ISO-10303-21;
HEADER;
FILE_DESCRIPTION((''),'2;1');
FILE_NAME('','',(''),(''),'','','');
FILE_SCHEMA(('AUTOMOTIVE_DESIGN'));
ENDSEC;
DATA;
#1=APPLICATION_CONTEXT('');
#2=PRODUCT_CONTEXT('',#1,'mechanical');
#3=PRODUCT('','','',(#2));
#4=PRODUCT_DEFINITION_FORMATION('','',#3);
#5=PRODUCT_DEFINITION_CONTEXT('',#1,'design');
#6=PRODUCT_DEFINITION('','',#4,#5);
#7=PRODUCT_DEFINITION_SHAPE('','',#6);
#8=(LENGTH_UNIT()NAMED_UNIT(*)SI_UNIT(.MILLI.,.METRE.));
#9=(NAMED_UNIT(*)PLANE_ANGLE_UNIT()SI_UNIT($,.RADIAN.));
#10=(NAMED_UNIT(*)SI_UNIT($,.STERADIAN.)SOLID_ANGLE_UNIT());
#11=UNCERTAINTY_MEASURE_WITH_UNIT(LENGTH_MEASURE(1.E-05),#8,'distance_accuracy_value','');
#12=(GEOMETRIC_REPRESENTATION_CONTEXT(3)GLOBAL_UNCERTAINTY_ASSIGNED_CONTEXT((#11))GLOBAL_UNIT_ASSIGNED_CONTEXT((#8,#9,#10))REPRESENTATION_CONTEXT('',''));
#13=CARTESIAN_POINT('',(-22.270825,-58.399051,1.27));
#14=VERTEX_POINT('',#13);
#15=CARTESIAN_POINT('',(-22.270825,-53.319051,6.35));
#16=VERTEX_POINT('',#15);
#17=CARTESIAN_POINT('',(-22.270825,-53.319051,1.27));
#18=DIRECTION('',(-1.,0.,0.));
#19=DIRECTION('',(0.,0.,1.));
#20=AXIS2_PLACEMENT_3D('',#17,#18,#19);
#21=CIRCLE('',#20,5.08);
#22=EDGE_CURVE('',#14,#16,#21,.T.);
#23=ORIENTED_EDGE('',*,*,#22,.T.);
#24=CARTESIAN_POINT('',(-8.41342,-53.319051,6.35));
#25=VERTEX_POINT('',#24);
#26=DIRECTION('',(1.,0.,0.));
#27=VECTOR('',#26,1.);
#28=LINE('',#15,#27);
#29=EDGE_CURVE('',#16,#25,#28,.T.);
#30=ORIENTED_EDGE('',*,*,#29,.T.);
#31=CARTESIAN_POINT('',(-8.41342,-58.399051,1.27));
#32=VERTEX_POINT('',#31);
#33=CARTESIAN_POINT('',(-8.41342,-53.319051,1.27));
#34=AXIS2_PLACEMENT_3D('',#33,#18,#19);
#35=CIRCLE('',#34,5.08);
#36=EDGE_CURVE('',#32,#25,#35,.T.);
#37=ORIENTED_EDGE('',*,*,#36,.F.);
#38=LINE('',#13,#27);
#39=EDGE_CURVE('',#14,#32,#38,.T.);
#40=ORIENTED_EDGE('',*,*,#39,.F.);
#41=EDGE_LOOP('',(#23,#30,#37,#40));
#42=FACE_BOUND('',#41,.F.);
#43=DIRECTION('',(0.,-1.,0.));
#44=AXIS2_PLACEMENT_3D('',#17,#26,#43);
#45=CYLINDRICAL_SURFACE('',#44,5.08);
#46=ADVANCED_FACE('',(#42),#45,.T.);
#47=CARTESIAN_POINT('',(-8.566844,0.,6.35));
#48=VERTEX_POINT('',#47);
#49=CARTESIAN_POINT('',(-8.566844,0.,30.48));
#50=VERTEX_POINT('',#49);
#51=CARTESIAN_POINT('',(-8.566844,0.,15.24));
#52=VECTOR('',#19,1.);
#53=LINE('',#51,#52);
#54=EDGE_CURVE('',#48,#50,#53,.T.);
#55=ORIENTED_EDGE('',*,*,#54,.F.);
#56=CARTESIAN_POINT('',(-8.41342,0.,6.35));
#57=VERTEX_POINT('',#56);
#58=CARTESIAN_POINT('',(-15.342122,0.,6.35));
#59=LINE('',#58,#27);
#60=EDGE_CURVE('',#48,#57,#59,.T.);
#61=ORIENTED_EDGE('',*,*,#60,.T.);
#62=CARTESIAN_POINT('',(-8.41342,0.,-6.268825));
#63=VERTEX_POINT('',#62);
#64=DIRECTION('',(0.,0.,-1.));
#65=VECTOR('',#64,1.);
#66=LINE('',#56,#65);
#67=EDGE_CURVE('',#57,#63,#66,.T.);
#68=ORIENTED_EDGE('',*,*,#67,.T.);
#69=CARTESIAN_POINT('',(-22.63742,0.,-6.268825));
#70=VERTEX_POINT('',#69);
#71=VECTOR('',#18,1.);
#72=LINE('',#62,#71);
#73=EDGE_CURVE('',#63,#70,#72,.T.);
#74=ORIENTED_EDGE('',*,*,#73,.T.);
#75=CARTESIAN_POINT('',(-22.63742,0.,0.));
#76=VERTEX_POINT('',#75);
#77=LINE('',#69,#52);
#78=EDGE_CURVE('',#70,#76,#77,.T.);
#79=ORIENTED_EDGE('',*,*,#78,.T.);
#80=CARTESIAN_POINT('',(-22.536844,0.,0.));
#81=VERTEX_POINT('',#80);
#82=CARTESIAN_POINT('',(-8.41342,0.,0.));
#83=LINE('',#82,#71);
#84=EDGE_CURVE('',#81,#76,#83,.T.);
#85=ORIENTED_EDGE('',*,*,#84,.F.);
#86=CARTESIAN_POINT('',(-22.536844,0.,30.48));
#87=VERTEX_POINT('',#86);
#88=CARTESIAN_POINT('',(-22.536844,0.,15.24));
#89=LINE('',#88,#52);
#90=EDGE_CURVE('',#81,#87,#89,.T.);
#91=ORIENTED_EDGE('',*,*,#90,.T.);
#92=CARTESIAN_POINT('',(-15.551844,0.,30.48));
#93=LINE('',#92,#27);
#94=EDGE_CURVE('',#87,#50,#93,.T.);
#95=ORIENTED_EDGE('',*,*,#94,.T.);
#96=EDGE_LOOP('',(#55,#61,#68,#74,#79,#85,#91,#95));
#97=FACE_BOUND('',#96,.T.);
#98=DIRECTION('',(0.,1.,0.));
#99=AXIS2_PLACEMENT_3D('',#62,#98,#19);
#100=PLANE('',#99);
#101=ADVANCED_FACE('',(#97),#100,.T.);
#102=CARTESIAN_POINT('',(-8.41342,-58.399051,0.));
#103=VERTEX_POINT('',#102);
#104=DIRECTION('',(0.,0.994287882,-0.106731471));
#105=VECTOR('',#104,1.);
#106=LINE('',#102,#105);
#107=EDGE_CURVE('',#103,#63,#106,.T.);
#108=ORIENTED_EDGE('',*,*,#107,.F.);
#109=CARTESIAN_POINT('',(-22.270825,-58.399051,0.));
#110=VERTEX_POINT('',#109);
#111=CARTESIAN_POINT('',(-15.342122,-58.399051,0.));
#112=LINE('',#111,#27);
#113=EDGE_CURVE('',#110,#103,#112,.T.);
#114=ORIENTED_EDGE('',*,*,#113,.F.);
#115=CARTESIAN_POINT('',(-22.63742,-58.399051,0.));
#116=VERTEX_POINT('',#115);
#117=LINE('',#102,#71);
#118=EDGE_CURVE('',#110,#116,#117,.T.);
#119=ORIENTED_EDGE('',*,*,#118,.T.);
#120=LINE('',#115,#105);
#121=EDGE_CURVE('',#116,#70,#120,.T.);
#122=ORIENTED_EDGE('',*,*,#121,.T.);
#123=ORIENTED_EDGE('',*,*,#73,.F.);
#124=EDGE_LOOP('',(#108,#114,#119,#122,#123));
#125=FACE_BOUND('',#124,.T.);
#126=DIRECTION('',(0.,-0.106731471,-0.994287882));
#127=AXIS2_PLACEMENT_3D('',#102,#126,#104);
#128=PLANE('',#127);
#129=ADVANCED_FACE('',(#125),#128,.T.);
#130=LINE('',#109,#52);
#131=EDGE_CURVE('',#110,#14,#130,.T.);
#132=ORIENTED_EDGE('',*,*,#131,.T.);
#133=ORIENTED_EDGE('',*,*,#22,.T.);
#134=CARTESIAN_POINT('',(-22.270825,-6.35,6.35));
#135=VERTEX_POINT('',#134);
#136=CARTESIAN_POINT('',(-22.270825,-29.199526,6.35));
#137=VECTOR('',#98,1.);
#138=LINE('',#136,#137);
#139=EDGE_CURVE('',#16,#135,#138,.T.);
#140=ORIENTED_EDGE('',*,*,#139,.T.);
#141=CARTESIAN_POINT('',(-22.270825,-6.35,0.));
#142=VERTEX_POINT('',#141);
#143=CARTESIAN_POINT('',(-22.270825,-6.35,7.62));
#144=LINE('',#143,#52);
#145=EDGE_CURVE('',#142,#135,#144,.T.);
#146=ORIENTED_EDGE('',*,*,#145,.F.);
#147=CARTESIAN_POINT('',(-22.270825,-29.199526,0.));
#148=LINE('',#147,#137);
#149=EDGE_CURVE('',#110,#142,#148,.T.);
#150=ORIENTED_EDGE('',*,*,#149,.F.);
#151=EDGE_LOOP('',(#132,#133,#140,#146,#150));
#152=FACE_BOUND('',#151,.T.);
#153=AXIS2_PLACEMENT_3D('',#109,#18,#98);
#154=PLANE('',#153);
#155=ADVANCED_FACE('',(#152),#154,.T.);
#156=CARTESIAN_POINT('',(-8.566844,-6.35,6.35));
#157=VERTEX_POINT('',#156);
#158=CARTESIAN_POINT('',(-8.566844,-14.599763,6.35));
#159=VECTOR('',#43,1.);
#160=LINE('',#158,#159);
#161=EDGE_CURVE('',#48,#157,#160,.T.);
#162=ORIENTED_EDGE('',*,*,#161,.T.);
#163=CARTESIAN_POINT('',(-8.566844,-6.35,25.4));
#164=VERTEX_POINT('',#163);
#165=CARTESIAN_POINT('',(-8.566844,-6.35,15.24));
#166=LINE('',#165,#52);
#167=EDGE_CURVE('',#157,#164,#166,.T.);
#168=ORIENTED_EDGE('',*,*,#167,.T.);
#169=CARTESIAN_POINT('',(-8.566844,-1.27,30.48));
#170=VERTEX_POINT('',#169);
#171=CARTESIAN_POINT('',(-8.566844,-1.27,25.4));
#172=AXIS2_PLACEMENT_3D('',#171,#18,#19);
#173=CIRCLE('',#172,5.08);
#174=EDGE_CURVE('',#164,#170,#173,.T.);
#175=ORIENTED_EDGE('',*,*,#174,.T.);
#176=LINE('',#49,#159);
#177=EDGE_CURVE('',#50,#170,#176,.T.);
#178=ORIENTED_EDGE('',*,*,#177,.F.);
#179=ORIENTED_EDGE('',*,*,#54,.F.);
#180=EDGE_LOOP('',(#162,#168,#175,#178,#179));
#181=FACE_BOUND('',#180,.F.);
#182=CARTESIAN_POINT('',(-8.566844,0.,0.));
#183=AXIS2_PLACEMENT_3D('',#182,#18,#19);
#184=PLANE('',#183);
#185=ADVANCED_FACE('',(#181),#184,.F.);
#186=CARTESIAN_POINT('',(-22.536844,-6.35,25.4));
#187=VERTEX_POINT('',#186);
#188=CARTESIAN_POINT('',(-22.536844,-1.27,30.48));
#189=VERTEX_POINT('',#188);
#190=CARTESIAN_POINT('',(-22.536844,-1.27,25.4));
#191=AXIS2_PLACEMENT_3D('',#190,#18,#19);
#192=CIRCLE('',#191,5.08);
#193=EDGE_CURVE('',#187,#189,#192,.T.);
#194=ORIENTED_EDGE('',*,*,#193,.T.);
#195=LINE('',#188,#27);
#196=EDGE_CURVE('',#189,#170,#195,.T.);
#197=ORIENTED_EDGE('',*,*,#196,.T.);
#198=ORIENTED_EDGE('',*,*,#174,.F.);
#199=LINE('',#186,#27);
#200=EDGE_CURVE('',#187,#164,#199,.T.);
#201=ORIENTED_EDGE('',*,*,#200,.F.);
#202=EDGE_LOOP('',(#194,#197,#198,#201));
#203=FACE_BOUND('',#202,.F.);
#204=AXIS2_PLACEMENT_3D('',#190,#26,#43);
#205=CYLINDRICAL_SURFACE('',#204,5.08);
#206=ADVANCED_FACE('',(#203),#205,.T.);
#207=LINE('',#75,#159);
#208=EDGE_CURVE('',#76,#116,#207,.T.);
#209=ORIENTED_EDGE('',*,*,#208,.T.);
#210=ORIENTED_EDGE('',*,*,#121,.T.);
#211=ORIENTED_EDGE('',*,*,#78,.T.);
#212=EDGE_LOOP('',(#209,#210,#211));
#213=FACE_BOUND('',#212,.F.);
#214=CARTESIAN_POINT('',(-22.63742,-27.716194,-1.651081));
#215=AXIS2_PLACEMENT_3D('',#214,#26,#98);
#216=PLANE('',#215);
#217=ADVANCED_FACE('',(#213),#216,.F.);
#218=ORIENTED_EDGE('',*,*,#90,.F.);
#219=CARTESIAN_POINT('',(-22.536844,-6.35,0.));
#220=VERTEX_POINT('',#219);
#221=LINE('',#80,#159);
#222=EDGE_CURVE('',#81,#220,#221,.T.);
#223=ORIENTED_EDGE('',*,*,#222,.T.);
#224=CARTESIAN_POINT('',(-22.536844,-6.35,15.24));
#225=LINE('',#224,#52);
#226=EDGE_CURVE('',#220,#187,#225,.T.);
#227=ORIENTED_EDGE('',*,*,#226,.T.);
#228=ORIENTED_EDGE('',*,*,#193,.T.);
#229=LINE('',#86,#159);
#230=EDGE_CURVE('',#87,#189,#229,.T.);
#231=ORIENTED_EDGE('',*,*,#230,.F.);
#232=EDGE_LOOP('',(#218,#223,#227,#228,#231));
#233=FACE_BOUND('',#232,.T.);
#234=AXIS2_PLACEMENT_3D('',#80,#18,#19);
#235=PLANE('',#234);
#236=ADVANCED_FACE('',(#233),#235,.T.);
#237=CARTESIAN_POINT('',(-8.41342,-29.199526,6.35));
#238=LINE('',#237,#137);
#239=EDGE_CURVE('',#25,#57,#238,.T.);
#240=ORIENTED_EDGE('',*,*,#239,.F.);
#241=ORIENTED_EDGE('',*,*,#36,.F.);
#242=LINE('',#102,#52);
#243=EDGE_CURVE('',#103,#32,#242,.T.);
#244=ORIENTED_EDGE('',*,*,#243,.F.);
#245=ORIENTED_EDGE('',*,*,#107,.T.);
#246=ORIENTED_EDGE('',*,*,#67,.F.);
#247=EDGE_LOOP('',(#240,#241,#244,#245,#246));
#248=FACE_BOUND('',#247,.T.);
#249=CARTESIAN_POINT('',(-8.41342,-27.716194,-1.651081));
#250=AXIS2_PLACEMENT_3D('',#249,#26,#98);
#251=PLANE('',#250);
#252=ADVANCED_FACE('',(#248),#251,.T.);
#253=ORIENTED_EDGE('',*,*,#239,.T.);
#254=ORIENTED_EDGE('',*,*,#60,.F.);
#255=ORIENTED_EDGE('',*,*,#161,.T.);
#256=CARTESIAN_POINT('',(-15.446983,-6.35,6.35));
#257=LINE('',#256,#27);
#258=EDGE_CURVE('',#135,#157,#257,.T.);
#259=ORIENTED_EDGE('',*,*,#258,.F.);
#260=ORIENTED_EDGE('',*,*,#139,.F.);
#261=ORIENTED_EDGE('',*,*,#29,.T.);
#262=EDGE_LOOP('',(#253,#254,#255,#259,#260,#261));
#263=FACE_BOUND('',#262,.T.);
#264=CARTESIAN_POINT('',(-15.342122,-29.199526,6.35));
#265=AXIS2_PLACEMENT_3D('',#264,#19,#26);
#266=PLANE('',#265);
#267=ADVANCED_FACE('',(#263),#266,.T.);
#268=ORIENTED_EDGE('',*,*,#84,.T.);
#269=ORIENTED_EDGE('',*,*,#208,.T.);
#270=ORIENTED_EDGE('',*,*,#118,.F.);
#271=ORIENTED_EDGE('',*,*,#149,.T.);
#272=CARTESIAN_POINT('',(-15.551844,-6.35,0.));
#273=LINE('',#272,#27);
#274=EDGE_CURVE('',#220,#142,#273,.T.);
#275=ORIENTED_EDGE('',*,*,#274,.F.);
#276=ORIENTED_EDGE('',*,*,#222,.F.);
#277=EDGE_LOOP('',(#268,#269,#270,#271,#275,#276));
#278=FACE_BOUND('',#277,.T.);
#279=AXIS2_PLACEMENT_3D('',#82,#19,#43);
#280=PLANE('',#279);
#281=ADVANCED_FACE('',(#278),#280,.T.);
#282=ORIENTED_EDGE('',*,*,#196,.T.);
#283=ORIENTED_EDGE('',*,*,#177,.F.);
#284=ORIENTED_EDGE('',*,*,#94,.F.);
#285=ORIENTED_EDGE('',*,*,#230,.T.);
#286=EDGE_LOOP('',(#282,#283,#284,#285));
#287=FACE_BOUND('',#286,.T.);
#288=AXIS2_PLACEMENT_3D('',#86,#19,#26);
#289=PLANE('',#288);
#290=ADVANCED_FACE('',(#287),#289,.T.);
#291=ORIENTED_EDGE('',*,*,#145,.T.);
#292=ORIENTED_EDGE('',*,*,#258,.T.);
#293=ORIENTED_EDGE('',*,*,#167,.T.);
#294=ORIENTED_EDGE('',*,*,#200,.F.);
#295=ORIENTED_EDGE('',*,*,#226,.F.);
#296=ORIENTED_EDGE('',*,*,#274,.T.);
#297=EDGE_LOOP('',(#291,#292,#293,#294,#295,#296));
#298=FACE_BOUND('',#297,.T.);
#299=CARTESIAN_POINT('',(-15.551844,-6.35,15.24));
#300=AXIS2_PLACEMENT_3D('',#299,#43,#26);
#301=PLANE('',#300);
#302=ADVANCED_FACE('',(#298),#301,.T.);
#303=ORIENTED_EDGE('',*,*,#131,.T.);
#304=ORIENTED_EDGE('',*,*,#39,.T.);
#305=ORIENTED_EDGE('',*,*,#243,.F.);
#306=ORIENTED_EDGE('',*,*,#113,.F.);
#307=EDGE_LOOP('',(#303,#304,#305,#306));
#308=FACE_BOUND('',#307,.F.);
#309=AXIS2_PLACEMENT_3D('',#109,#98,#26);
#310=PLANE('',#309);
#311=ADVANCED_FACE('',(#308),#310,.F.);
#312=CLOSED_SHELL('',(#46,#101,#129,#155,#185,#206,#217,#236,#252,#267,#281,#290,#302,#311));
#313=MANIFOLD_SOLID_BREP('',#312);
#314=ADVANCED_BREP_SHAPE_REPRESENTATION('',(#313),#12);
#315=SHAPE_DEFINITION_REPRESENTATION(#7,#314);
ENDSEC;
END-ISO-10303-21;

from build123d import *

# Parameters (mm, degrees)
F1_W     = 13.8574047014
F1_H     = 58.3990514278
F2_DEPTH = 6.35
F0_W     = 13.97
F0_H     = 30.48
F3_DEPTH = 6.35
F4_R     = 5.08
F6_DEPTH = 14.224


with BuildPart() as f2:
    # F1 (on Top) → F2 (new body)
    with BuildSketch(Plane.XY):
        with Locations((-15.3421224095, -29.1995257139)):
            Rectangle(F1_W, F1_H)
    extrude(amount=F2_DEPTH)

    # F0 (on Front) → F3 (join)
    with BuildSketch(Plane.XZ):
        with Locations((-15.5518442771, 15.24)):
            Rectangle(F0_W, F0_H)
    extrude(amount=F3_DEPTH)

    # F4
    f4_edges = [f2.edges().sort_by_distance(p)[0] for p in [
        (-15.342122, -58.399051, 6.35),
        (-15.551844, -6.35, 30.48),
    ]]
    fillet(f4_edges, radius=F4_R)

    # F5 (on face) → F6 (join)
    with BuildSketch(Plane.YZ.offset(-8.4134200588)):
        Polygon((0, 0), (-58.3990514278, 0), (0, -6.2688249163), align=None)
    extrude(amount=-F6_DEPTH)


solid = f2.part
